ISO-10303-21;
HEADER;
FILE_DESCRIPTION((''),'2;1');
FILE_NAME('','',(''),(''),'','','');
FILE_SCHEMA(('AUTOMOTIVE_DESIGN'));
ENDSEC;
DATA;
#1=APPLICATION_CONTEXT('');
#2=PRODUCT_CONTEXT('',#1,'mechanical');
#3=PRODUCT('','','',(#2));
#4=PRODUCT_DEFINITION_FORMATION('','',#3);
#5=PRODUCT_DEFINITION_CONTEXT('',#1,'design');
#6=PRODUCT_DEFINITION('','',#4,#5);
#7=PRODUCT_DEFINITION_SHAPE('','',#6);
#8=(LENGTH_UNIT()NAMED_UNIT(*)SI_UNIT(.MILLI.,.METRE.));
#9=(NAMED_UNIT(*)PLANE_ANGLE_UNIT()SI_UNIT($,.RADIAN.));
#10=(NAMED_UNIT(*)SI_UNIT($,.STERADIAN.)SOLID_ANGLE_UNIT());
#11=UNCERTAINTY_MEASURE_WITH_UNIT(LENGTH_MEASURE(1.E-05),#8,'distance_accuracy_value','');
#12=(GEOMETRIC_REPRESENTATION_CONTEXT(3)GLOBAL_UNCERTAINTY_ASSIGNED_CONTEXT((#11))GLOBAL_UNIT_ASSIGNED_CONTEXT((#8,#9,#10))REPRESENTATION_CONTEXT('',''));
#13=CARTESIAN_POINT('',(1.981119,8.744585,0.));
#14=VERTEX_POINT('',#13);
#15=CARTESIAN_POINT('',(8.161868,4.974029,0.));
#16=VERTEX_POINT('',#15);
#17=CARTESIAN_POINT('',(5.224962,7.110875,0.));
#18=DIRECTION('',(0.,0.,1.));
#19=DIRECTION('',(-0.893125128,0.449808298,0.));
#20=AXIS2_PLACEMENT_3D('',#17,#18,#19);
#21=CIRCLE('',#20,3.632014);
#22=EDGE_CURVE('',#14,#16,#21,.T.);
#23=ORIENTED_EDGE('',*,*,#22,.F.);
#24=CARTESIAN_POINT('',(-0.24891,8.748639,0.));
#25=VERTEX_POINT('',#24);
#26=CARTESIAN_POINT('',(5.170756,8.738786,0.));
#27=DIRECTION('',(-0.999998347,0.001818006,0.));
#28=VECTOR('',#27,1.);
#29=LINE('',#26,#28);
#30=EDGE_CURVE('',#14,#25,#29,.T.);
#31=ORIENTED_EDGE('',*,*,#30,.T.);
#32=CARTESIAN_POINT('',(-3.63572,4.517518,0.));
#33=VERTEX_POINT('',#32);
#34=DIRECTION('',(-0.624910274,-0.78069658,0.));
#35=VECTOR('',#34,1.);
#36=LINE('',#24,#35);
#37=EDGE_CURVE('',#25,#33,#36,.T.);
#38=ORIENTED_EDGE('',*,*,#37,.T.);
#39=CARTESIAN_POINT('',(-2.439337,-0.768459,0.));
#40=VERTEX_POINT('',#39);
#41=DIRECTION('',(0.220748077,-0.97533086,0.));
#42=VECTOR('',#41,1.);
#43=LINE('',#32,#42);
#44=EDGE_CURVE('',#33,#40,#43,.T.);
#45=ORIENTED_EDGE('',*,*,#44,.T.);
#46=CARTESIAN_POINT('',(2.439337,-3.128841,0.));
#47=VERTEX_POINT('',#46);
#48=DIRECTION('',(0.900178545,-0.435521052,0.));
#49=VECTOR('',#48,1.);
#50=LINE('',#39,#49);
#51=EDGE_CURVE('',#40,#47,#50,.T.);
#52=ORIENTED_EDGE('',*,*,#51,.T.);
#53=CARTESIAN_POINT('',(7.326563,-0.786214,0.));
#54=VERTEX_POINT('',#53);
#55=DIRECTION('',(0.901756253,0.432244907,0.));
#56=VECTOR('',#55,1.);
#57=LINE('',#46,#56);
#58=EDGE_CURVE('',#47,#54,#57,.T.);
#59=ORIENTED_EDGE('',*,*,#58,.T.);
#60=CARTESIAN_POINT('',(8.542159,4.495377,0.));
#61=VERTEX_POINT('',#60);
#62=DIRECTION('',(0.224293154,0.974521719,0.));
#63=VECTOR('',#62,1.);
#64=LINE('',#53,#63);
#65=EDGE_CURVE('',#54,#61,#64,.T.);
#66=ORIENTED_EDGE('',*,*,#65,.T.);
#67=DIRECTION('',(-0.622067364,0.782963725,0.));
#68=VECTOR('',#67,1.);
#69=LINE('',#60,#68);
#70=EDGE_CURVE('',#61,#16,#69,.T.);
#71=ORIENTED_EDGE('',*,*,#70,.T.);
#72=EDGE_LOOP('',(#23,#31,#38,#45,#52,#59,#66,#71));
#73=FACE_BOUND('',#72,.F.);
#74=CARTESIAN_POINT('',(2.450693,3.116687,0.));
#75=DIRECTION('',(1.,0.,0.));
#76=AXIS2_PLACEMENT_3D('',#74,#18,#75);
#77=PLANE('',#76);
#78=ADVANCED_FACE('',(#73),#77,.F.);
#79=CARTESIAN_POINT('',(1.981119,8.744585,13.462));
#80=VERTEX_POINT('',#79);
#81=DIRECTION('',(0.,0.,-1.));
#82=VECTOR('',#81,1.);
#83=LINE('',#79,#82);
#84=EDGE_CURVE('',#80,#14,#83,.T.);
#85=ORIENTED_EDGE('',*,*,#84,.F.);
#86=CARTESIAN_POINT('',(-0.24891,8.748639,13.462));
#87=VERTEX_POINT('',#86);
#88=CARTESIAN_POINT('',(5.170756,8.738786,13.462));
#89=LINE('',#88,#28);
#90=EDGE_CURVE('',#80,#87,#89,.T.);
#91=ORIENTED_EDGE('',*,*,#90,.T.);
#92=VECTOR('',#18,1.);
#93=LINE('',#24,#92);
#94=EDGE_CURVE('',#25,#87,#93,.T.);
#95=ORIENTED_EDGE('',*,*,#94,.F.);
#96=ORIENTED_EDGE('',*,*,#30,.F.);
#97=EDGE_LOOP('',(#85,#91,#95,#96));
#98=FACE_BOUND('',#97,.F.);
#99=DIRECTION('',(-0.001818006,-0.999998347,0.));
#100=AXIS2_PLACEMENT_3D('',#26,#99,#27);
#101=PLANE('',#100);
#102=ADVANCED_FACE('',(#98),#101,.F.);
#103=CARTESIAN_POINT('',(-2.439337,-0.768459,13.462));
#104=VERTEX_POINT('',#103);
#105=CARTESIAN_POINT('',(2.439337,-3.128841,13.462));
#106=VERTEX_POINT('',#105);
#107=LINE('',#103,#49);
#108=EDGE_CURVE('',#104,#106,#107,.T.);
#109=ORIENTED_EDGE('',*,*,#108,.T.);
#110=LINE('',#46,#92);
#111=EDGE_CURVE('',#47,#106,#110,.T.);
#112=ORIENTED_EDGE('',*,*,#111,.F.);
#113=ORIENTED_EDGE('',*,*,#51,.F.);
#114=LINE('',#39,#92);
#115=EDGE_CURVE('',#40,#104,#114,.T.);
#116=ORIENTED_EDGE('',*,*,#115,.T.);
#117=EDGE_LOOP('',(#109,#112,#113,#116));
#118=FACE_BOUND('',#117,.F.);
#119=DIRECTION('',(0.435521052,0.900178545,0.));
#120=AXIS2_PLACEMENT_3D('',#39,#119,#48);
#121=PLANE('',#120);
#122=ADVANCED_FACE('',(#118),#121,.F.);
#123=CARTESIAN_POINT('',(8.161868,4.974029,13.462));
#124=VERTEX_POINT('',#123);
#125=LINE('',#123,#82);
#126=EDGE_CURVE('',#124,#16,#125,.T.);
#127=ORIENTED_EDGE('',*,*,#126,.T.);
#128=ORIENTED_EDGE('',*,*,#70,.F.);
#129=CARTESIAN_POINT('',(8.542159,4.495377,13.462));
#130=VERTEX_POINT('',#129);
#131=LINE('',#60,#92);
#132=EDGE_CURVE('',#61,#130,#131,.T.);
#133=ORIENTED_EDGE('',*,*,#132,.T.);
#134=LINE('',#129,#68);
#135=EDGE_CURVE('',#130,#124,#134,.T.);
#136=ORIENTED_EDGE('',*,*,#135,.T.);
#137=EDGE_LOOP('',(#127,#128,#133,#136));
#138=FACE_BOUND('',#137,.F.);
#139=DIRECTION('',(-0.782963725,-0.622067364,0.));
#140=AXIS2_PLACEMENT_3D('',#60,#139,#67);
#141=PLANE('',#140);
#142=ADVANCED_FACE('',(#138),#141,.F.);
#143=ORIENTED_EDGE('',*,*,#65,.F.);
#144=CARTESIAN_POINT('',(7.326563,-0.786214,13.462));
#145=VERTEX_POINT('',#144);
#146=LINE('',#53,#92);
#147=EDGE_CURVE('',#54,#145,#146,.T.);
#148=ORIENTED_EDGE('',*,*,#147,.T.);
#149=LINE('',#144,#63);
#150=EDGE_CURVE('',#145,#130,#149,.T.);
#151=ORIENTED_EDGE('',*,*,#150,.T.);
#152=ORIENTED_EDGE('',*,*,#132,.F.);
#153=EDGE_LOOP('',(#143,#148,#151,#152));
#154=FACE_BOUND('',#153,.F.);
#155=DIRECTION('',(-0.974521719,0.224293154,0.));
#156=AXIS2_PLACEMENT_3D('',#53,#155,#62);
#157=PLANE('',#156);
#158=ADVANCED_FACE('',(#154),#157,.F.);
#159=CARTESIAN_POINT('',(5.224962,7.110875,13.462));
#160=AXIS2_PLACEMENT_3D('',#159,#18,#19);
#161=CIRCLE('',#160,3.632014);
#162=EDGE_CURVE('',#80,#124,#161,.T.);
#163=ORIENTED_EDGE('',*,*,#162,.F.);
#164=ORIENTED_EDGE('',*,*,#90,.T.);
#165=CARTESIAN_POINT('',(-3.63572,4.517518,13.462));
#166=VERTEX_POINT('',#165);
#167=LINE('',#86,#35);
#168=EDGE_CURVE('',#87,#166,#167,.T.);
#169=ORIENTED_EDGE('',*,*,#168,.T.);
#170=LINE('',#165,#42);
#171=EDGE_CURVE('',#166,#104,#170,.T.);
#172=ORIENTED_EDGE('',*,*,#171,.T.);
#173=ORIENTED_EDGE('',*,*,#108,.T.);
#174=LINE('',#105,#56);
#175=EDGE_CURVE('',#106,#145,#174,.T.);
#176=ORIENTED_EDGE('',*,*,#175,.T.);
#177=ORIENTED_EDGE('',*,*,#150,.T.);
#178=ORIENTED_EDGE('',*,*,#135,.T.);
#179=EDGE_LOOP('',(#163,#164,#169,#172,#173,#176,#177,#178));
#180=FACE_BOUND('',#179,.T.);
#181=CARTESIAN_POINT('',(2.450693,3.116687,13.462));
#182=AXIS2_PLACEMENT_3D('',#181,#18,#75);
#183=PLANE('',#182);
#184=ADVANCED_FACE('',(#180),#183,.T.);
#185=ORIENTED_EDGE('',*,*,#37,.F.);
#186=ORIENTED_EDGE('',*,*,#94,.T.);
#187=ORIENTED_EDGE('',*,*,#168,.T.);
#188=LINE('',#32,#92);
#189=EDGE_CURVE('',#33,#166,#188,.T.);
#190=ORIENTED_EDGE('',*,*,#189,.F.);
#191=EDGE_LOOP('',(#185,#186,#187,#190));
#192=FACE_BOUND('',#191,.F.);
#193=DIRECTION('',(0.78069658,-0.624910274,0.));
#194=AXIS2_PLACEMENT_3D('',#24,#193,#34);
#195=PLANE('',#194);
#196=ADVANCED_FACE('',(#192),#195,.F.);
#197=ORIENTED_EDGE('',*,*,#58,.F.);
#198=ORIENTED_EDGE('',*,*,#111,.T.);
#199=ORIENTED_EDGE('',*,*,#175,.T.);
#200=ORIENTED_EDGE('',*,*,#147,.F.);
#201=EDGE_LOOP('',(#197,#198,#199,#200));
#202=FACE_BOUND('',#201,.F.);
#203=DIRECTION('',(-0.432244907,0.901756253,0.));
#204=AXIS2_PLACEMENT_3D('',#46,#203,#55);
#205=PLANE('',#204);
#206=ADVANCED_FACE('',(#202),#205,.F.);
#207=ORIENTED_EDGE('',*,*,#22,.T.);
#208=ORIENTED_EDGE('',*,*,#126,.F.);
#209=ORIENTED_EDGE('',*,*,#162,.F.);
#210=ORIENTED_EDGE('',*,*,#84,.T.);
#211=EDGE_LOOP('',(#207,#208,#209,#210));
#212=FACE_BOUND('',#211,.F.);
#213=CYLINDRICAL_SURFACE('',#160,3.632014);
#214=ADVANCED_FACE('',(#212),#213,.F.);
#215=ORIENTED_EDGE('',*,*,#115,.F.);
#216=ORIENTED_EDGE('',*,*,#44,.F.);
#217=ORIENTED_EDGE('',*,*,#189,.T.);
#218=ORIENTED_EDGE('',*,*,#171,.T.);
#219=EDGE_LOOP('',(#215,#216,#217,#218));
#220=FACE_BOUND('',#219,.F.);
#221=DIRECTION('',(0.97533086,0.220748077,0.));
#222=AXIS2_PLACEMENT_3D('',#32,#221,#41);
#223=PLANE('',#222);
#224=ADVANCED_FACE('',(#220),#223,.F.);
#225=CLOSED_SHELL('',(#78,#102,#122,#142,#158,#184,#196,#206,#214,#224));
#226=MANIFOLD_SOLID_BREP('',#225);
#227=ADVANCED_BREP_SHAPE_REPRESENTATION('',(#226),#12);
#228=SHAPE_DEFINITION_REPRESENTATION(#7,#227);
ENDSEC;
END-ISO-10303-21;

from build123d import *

# Parameters (mm, degrees)
F1_DEPTH = 13.462
F3_DEPTH = 25.4


with BuildPart() as f1:
    # F0 (on Top) → F1 (new body)
    with BuildSketch(Plane.XY):
        Polygon((-2.439337, -0.768459), (2.439337, -3.128841), (7.326563, -0.786214), (8.542159, 4.495377), (5.170756, 8.738786), (-0.24891, 8.748639), (-3.63572, 4.517518), align=None)
    extrude(amount=F1_DEPTH)

    # F2 (on face) → F3 (cut)
    with BuildSketch(Plane.XY.offset(13.462)):
        with BuildLine():
            Line((5.170756, 8.738786), (1.981119, 8.744585))
            ThreePointArc((1.981119, 8.744585), (3.333448, 4.010278), (8.161868, 4.974029))
            Line((8.161868, 4.974029), (5.170756, 8.738786))
        make_face()
    extrude(amount=-F3_DEPTH, mode=Mode.SUBTRACT)


solid = f1.part
